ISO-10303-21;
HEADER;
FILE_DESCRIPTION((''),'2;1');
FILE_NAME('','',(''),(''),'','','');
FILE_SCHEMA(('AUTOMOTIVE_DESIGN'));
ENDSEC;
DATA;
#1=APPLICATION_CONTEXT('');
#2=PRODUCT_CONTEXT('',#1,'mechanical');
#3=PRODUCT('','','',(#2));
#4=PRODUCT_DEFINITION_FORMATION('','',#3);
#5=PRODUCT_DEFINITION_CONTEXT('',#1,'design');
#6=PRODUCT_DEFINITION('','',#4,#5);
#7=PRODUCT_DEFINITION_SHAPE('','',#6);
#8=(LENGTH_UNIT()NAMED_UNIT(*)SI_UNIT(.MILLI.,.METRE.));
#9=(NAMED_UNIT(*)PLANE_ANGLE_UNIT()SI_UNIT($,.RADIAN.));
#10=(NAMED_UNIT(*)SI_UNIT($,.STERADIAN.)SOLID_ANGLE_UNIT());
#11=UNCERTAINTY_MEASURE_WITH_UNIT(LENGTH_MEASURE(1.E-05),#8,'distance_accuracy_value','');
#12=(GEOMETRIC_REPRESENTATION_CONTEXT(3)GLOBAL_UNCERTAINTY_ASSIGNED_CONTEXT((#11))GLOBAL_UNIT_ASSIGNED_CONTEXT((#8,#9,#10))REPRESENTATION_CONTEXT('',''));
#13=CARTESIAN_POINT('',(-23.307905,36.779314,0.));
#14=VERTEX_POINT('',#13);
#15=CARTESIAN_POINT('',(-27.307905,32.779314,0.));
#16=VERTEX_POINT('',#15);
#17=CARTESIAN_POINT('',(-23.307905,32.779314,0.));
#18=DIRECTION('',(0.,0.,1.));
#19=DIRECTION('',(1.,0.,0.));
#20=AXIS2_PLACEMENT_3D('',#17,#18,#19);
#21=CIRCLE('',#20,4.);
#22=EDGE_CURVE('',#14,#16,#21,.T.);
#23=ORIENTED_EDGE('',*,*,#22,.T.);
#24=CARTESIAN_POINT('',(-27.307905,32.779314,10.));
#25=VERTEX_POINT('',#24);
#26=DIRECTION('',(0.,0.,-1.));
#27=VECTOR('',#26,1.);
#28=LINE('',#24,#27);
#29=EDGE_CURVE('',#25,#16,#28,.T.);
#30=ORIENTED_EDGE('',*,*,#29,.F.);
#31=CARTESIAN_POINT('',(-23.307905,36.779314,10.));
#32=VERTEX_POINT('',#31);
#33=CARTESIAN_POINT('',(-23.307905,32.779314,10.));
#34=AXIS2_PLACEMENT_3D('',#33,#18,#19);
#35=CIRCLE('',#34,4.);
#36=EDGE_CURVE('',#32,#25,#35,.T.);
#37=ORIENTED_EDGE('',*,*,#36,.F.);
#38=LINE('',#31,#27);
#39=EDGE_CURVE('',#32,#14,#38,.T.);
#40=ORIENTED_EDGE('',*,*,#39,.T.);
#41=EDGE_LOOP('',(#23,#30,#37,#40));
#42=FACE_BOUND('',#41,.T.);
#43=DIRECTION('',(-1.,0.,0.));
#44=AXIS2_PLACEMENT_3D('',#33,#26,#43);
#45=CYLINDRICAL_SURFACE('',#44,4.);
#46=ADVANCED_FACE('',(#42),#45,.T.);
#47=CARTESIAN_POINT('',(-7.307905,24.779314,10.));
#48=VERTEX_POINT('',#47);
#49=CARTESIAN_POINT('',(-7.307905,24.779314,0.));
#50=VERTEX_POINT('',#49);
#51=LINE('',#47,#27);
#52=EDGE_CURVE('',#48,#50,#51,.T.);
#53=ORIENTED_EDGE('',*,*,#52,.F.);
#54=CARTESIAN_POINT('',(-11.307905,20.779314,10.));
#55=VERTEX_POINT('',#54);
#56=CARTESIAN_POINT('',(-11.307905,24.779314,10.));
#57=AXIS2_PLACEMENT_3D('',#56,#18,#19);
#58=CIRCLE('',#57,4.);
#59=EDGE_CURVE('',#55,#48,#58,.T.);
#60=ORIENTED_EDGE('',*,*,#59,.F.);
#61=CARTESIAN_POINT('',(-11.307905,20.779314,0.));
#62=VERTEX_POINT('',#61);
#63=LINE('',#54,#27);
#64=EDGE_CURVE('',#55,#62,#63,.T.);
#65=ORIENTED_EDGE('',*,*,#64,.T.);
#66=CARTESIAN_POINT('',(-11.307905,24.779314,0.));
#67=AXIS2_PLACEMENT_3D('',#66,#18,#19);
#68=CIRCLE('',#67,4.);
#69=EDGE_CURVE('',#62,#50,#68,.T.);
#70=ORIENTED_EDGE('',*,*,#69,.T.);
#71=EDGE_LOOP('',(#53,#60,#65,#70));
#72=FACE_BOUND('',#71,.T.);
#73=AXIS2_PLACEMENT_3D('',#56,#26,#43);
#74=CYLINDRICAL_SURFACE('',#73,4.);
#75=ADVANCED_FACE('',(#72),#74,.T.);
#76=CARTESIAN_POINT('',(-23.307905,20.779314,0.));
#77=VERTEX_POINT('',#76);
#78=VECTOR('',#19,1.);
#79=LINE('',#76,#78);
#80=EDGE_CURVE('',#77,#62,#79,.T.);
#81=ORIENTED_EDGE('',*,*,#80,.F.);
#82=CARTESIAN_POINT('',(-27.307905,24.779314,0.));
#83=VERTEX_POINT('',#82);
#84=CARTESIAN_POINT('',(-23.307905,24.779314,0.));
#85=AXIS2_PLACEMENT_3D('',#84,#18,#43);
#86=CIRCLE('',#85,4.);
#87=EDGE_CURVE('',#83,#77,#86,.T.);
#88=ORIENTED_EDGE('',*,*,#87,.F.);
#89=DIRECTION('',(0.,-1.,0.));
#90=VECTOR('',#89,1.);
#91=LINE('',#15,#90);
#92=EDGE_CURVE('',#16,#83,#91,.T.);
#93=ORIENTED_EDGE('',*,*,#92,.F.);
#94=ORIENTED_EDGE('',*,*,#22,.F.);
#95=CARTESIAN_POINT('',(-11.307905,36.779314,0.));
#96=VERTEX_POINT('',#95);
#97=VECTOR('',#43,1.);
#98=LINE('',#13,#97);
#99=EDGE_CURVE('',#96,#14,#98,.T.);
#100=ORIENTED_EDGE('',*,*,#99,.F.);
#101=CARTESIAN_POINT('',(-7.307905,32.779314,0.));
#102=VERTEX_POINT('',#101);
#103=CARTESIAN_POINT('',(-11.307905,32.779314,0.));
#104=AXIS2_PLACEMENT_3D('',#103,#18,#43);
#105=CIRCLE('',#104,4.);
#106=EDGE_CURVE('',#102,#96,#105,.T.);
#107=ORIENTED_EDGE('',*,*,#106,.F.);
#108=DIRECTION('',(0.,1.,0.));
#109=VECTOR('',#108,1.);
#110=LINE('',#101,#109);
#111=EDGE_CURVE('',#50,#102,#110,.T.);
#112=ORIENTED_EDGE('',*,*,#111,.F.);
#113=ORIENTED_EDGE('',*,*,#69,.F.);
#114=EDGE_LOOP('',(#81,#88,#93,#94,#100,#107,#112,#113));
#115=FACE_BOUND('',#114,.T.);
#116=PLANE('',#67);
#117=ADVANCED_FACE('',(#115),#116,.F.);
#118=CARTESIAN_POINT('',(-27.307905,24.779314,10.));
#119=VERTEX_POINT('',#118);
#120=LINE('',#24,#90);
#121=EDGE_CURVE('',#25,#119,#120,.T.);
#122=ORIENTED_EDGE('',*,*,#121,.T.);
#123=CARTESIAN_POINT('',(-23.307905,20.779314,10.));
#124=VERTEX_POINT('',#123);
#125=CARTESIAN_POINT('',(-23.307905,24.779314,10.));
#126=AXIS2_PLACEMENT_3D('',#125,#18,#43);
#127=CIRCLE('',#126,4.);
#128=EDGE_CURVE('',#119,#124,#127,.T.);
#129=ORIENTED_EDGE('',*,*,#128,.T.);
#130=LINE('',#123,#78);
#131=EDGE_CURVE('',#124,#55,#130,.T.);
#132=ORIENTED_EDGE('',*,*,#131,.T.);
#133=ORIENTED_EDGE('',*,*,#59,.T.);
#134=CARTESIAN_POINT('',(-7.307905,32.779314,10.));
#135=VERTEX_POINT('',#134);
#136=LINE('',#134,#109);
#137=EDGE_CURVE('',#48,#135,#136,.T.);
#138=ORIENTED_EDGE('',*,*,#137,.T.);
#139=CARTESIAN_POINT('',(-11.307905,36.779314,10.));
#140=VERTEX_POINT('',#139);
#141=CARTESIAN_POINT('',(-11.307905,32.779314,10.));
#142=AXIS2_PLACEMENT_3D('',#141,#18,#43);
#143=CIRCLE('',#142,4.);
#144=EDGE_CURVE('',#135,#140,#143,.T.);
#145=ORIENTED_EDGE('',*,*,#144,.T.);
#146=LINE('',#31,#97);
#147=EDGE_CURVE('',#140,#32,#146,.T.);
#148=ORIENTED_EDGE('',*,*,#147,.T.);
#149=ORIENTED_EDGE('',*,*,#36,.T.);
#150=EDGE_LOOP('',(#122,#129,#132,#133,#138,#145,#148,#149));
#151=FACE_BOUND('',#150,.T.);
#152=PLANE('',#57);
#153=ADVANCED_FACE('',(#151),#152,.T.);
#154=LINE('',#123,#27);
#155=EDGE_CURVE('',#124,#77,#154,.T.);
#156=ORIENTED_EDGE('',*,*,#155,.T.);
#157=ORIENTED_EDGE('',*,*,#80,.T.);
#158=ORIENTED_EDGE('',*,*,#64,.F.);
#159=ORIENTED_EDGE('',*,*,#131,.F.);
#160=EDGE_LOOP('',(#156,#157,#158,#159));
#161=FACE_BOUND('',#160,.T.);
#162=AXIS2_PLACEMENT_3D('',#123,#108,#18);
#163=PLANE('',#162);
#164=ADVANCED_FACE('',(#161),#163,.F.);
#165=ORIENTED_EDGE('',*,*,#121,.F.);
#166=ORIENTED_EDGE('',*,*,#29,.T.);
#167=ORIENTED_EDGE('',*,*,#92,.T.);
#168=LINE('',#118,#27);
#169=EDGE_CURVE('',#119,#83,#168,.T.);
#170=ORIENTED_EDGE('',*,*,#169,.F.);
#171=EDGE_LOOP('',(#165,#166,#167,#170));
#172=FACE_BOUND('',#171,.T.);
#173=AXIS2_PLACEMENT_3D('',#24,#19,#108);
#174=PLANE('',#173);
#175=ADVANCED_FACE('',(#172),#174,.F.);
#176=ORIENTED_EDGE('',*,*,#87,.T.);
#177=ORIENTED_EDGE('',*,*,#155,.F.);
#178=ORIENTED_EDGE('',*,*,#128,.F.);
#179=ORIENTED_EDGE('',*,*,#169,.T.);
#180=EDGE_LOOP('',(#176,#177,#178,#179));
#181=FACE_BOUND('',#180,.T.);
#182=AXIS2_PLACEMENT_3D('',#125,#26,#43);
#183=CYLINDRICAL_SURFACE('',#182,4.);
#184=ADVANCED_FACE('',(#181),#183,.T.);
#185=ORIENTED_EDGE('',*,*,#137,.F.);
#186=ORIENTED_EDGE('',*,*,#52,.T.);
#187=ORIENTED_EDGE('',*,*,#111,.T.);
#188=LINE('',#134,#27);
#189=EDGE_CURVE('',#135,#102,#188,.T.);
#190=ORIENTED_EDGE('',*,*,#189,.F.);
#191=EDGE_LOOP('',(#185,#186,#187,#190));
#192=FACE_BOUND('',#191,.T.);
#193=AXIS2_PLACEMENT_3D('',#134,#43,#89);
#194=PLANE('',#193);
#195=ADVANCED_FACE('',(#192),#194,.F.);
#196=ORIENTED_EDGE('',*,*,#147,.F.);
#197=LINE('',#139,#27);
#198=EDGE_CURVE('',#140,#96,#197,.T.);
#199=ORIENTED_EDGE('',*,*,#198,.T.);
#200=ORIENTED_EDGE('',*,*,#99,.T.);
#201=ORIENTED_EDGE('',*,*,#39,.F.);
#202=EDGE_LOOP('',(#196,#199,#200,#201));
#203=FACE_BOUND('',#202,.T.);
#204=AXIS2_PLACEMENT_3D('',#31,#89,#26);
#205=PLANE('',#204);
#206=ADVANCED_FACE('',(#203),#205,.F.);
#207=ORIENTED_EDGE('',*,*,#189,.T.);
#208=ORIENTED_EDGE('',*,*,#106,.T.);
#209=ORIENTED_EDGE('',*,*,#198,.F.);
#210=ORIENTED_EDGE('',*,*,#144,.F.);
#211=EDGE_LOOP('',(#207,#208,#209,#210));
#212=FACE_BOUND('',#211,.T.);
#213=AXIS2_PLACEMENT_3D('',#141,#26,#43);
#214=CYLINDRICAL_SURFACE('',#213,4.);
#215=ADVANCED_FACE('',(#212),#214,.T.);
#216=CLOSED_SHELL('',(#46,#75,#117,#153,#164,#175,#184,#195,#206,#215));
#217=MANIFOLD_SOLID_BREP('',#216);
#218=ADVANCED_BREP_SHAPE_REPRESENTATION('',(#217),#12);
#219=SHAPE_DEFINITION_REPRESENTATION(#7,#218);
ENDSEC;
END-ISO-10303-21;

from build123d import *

# Parameters (mm, degrees)
SALIENTE_EXTRUIR1_DEPTH = 10


with BuildPart() as part:
    # Croquis1 → Saliente-Extruir1 (new body)
    with BuildSketch(Plane.XY):
        with BuildLine():
            Line((-23.307904905, 36.779313731), (-11.307904905, 36.779313731))
            ThreePointArc((-11.307904905, 36.779313731), (-8.479477781, 35.607740856), (-7.307904905, 32.779313731))
            Line((-7.307904905, 32.779313731), (-7.307904905, 24.779313731))
            ThreePointArc((-7.307904905, 24.779313731), (-8.479477781, 21.950886607), (-11.307904905, 20.779313731))
            Line((-11.307904905, 20.779313731), (-23.307904905, 20.779313731))
            ThreePointArc((-23.307904905, 20.779313731), (-26.13633203, 21.950886607), (-27.307904905, 24.779313731))
            Line((-27.307904905, 24.779313731), (-27.307904905, 32.779313731))
            ThreePointArc((-27.307904905, 32.779313731), (-26.13633203, 35.607740856), (-23.307904905, 36.779313731))
        make_face()
    extrude(amount=SALIENTE_EXTRUIR1_DEPTH)


solid = part.part
